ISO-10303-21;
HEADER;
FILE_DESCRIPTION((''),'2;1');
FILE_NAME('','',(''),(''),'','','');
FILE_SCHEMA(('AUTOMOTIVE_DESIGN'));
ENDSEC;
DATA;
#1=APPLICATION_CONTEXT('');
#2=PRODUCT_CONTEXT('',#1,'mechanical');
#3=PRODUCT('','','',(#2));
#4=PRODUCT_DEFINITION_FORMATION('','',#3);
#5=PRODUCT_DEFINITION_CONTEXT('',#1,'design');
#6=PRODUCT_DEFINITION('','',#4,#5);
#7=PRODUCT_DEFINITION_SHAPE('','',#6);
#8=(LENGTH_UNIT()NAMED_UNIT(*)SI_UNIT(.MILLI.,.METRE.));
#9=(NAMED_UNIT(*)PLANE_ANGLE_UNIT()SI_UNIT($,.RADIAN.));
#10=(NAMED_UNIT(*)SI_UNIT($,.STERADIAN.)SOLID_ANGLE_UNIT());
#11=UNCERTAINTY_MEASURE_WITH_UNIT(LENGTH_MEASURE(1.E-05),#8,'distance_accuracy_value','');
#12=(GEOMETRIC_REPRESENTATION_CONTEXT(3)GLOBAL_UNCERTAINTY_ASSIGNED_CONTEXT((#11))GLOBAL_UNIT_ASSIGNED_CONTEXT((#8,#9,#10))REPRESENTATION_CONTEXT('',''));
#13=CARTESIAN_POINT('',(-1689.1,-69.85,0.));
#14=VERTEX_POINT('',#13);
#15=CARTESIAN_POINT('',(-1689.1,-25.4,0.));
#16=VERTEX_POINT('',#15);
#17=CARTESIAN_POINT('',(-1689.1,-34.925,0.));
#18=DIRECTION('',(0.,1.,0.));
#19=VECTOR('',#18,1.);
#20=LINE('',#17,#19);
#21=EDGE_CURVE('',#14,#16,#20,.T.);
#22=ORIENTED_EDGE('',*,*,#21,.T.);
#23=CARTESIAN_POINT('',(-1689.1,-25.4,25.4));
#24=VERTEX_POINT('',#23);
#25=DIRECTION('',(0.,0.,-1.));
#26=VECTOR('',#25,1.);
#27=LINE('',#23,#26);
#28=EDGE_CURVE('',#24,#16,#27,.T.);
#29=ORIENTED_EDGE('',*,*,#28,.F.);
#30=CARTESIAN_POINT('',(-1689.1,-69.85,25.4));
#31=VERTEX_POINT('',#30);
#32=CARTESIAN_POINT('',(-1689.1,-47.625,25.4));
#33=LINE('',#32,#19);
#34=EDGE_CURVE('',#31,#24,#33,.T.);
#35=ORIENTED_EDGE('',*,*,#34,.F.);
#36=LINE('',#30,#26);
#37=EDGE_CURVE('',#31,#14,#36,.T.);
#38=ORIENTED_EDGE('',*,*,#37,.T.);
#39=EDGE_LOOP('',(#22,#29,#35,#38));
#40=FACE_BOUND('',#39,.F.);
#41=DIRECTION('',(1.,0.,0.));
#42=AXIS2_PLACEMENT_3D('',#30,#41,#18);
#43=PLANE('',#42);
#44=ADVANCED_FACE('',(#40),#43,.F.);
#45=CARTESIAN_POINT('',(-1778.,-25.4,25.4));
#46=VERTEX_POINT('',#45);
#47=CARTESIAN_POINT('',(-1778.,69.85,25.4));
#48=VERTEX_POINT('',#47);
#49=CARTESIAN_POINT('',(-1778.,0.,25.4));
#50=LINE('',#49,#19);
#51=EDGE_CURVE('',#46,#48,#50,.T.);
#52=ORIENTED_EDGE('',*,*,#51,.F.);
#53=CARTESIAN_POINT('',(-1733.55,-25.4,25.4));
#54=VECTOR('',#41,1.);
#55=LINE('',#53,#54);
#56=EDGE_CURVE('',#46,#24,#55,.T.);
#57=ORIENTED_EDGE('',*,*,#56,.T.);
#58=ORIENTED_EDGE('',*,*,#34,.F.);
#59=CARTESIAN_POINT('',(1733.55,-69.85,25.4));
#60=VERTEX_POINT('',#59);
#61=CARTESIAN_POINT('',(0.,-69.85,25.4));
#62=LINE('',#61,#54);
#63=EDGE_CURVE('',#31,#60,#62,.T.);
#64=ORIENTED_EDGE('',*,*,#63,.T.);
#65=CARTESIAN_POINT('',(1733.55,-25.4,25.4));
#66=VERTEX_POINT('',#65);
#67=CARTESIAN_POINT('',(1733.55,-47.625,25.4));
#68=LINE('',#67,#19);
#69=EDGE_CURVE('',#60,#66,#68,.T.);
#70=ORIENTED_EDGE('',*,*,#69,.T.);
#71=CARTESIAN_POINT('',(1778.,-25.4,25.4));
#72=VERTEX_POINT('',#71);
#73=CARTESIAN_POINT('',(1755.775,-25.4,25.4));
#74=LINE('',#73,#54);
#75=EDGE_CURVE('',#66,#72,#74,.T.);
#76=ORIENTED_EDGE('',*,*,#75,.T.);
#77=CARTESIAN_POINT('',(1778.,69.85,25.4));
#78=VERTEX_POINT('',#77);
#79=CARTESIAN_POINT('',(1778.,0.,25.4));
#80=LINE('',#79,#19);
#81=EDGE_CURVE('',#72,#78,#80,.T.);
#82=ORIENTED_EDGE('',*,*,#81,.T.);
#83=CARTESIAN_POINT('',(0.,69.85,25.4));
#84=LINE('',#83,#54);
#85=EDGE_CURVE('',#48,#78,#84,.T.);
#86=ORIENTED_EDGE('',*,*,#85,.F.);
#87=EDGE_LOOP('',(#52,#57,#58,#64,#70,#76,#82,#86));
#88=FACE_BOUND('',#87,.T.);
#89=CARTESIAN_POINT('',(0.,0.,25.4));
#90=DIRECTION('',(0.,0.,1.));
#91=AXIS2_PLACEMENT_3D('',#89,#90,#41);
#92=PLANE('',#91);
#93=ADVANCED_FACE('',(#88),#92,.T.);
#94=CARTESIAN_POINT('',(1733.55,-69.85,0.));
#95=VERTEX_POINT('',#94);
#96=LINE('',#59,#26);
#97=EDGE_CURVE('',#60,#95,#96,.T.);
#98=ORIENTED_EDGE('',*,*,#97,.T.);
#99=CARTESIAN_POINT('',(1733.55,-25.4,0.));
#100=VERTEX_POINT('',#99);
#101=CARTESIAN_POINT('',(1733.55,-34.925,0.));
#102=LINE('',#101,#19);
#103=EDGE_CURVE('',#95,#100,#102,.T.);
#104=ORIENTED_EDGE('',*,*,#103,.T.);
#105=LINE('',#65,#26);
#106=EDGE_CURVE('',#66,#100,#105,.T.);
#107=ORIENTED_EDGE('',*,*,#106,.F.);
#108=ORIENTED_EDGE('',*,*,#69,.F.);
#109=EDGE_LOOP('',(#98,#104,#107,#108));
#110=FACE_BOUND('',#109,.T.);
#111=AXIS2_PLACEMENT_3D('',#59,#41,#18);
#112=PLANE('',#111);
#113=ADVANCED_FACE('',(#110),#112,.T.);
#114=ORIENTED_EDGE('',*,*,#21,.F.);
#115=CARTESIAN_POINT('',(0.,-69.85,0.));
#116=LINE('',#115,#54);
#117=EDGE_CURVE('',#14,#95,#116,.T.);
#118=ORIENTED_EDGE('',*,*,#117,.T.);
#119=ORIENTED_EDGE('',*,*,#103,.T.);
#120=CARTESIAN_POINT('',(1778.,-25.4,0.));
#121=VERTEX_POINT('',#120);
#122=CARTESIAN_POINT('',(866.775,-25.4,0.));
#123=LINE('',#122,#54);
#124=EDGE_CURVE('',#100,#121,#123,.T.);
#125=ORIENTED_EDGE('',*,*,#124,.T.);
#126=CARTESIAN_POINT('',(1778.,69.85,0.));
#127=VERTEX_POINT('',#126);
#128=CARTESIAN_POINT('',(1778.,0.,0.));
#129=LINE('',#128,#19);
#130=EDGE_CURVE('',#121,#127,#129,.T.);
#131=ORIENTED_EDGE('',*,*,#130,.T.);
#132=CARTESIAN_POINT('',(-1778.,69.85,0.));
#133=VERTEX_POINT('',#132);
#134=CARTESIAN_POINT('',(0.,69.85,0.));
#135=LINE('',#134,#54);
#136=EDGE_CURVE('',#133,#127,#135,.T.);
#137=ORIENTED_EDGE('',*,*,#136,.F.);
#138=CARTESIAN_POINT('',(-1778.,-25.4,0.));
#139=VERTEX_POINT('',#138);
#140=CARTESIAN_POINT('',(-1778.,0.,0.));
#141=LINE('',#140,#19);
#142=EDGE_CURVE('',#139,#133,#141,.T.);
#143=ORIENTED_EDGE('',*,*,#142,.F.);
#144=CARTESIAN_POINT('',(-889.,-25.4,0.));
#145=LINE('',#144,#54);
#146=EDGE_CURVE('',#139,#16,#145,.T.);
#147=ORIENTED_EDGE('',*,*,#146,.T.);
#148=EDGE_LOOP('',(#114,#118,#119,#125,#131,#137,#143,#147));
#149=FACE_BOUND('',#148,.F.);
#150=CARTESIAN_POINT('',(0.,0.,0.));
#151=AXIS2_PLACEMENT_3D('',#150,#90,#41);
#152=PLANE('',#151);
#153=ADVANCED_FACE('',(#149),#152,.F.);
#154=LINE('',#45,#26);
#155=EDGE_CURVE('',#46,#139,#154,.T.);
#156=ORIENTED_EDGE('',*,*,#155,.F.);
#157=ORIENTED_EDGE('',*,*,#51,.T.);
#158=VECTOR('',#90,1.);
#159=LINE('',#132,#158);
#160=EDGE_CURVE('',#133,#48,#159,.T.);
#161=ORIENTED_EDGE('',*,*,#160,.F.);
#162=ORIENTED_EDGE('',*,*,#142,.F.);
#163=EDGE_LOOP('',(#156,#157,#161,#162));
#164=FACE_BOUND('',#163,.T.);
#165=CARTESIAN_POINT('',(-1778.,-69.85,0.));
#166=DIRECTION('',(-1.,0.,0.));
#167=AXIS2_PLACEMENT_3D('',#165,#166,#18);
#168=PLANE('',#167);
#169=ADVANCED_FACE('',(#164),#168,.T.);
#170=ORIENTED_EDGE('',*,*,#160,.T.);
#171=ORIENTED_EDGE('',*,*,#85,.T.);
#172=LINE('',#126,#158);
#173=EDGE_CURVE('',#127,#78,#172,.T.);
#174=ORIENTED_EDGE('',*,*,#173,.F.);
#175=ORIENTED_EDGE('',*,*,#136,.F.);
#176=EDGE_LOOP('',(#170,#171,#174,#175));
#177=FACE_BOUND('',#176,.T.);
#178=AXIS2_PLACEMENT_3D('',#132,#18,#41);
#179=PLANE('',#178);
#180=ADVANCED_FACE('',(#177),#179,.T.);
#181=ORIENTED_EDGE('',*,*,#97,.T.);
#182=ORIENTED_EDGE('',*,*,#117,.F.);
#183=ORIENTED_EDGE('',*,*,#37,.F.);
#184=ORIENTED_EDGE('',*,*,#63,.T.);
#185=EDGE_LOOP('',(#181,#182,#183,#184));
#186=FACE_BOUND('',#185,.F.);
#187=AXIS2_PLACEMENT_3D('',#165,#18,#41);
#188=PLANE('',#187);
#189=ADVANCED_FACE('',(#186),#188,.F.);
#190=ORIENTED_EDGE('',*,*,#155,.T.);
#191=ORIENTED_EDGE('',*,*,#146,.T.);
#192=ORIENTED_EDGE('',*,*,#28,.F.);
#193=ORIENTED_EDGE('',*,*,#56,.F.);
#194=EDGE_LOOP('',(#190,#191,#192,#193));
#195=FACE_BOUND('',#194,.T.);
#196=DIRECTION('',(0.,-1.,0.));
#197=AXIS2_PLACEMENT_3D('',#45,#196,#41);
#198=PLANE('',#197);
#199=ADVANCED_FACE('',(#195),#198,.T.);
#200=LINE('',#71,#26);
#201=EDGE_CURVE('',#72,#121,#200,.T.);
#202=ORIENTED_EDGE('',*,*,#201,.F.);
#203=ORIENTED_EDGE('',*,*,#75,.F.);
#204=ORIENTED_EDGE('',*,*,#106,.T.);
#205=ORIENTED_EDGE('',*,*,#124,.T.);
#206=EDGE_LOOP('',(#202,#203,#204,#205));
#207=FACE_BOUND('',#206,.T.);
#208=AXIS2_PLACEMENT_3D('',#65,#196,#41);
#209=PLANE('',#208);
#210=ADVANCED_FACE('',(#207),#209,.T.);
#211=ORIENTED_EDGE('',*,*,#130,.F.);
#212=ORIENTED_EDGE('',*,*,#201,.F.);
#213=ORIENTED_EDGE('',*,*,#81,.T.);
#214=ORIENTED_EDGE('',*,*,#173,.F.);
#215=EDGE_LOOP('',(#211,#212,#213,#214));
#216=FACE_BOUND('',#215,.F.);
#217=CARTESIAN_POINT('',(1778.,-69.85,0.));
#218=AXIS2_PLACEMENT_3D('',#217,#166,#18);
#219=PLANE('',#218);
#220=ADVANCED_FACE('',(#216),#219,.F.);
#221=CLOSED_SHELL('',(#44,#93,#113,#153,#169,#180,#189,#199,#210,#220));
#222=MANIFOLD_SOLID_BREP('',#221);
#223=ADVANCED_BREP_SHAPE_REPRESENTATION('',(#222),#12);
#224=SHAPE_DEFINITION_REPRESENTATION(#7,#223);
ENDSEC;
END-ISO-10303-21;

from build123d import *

# Parameters (mm, degrees)
F0_W     = 3556
F0_H     = 139.7
F1_DEPTH = 25.4
F2_W     = 88.9
F2_H     = 44.45
F3_DEPTH = 25.401
F4_W     = 44.45
F4_H     = 44.45
F5_DEPTH = 25.401


with BuildPart() as f1:
    # F0 (on Top) → F1 (new body)
    with BuildSketch(Plane.XY):
        Rectangle(F0_W, F0_H)
    extrude(amount=F1_DEPTH)

    # F2 (on face) → F3 (cut, through all)
    with BuildSketch(Plane.XY.offset(25.4)):
        with Locations((-1733.55, -47.625)):
            Rectangle(F2_W, F2_H)
    extrude(amount=-F3_DEPTH, mode=Mode.SUBTRACT)

    # F4 (on face) → F5 (cut, through all)
    with BuildSketch(Plane.XY.offset(25.4)):
        with Locations((1755.775, -47.625)):
            Rectangle(F4_W, F4_H)
    extrude(amount=-F5_DEPTH, mode=Mode.SUBTRACT)


solid = f1.part
